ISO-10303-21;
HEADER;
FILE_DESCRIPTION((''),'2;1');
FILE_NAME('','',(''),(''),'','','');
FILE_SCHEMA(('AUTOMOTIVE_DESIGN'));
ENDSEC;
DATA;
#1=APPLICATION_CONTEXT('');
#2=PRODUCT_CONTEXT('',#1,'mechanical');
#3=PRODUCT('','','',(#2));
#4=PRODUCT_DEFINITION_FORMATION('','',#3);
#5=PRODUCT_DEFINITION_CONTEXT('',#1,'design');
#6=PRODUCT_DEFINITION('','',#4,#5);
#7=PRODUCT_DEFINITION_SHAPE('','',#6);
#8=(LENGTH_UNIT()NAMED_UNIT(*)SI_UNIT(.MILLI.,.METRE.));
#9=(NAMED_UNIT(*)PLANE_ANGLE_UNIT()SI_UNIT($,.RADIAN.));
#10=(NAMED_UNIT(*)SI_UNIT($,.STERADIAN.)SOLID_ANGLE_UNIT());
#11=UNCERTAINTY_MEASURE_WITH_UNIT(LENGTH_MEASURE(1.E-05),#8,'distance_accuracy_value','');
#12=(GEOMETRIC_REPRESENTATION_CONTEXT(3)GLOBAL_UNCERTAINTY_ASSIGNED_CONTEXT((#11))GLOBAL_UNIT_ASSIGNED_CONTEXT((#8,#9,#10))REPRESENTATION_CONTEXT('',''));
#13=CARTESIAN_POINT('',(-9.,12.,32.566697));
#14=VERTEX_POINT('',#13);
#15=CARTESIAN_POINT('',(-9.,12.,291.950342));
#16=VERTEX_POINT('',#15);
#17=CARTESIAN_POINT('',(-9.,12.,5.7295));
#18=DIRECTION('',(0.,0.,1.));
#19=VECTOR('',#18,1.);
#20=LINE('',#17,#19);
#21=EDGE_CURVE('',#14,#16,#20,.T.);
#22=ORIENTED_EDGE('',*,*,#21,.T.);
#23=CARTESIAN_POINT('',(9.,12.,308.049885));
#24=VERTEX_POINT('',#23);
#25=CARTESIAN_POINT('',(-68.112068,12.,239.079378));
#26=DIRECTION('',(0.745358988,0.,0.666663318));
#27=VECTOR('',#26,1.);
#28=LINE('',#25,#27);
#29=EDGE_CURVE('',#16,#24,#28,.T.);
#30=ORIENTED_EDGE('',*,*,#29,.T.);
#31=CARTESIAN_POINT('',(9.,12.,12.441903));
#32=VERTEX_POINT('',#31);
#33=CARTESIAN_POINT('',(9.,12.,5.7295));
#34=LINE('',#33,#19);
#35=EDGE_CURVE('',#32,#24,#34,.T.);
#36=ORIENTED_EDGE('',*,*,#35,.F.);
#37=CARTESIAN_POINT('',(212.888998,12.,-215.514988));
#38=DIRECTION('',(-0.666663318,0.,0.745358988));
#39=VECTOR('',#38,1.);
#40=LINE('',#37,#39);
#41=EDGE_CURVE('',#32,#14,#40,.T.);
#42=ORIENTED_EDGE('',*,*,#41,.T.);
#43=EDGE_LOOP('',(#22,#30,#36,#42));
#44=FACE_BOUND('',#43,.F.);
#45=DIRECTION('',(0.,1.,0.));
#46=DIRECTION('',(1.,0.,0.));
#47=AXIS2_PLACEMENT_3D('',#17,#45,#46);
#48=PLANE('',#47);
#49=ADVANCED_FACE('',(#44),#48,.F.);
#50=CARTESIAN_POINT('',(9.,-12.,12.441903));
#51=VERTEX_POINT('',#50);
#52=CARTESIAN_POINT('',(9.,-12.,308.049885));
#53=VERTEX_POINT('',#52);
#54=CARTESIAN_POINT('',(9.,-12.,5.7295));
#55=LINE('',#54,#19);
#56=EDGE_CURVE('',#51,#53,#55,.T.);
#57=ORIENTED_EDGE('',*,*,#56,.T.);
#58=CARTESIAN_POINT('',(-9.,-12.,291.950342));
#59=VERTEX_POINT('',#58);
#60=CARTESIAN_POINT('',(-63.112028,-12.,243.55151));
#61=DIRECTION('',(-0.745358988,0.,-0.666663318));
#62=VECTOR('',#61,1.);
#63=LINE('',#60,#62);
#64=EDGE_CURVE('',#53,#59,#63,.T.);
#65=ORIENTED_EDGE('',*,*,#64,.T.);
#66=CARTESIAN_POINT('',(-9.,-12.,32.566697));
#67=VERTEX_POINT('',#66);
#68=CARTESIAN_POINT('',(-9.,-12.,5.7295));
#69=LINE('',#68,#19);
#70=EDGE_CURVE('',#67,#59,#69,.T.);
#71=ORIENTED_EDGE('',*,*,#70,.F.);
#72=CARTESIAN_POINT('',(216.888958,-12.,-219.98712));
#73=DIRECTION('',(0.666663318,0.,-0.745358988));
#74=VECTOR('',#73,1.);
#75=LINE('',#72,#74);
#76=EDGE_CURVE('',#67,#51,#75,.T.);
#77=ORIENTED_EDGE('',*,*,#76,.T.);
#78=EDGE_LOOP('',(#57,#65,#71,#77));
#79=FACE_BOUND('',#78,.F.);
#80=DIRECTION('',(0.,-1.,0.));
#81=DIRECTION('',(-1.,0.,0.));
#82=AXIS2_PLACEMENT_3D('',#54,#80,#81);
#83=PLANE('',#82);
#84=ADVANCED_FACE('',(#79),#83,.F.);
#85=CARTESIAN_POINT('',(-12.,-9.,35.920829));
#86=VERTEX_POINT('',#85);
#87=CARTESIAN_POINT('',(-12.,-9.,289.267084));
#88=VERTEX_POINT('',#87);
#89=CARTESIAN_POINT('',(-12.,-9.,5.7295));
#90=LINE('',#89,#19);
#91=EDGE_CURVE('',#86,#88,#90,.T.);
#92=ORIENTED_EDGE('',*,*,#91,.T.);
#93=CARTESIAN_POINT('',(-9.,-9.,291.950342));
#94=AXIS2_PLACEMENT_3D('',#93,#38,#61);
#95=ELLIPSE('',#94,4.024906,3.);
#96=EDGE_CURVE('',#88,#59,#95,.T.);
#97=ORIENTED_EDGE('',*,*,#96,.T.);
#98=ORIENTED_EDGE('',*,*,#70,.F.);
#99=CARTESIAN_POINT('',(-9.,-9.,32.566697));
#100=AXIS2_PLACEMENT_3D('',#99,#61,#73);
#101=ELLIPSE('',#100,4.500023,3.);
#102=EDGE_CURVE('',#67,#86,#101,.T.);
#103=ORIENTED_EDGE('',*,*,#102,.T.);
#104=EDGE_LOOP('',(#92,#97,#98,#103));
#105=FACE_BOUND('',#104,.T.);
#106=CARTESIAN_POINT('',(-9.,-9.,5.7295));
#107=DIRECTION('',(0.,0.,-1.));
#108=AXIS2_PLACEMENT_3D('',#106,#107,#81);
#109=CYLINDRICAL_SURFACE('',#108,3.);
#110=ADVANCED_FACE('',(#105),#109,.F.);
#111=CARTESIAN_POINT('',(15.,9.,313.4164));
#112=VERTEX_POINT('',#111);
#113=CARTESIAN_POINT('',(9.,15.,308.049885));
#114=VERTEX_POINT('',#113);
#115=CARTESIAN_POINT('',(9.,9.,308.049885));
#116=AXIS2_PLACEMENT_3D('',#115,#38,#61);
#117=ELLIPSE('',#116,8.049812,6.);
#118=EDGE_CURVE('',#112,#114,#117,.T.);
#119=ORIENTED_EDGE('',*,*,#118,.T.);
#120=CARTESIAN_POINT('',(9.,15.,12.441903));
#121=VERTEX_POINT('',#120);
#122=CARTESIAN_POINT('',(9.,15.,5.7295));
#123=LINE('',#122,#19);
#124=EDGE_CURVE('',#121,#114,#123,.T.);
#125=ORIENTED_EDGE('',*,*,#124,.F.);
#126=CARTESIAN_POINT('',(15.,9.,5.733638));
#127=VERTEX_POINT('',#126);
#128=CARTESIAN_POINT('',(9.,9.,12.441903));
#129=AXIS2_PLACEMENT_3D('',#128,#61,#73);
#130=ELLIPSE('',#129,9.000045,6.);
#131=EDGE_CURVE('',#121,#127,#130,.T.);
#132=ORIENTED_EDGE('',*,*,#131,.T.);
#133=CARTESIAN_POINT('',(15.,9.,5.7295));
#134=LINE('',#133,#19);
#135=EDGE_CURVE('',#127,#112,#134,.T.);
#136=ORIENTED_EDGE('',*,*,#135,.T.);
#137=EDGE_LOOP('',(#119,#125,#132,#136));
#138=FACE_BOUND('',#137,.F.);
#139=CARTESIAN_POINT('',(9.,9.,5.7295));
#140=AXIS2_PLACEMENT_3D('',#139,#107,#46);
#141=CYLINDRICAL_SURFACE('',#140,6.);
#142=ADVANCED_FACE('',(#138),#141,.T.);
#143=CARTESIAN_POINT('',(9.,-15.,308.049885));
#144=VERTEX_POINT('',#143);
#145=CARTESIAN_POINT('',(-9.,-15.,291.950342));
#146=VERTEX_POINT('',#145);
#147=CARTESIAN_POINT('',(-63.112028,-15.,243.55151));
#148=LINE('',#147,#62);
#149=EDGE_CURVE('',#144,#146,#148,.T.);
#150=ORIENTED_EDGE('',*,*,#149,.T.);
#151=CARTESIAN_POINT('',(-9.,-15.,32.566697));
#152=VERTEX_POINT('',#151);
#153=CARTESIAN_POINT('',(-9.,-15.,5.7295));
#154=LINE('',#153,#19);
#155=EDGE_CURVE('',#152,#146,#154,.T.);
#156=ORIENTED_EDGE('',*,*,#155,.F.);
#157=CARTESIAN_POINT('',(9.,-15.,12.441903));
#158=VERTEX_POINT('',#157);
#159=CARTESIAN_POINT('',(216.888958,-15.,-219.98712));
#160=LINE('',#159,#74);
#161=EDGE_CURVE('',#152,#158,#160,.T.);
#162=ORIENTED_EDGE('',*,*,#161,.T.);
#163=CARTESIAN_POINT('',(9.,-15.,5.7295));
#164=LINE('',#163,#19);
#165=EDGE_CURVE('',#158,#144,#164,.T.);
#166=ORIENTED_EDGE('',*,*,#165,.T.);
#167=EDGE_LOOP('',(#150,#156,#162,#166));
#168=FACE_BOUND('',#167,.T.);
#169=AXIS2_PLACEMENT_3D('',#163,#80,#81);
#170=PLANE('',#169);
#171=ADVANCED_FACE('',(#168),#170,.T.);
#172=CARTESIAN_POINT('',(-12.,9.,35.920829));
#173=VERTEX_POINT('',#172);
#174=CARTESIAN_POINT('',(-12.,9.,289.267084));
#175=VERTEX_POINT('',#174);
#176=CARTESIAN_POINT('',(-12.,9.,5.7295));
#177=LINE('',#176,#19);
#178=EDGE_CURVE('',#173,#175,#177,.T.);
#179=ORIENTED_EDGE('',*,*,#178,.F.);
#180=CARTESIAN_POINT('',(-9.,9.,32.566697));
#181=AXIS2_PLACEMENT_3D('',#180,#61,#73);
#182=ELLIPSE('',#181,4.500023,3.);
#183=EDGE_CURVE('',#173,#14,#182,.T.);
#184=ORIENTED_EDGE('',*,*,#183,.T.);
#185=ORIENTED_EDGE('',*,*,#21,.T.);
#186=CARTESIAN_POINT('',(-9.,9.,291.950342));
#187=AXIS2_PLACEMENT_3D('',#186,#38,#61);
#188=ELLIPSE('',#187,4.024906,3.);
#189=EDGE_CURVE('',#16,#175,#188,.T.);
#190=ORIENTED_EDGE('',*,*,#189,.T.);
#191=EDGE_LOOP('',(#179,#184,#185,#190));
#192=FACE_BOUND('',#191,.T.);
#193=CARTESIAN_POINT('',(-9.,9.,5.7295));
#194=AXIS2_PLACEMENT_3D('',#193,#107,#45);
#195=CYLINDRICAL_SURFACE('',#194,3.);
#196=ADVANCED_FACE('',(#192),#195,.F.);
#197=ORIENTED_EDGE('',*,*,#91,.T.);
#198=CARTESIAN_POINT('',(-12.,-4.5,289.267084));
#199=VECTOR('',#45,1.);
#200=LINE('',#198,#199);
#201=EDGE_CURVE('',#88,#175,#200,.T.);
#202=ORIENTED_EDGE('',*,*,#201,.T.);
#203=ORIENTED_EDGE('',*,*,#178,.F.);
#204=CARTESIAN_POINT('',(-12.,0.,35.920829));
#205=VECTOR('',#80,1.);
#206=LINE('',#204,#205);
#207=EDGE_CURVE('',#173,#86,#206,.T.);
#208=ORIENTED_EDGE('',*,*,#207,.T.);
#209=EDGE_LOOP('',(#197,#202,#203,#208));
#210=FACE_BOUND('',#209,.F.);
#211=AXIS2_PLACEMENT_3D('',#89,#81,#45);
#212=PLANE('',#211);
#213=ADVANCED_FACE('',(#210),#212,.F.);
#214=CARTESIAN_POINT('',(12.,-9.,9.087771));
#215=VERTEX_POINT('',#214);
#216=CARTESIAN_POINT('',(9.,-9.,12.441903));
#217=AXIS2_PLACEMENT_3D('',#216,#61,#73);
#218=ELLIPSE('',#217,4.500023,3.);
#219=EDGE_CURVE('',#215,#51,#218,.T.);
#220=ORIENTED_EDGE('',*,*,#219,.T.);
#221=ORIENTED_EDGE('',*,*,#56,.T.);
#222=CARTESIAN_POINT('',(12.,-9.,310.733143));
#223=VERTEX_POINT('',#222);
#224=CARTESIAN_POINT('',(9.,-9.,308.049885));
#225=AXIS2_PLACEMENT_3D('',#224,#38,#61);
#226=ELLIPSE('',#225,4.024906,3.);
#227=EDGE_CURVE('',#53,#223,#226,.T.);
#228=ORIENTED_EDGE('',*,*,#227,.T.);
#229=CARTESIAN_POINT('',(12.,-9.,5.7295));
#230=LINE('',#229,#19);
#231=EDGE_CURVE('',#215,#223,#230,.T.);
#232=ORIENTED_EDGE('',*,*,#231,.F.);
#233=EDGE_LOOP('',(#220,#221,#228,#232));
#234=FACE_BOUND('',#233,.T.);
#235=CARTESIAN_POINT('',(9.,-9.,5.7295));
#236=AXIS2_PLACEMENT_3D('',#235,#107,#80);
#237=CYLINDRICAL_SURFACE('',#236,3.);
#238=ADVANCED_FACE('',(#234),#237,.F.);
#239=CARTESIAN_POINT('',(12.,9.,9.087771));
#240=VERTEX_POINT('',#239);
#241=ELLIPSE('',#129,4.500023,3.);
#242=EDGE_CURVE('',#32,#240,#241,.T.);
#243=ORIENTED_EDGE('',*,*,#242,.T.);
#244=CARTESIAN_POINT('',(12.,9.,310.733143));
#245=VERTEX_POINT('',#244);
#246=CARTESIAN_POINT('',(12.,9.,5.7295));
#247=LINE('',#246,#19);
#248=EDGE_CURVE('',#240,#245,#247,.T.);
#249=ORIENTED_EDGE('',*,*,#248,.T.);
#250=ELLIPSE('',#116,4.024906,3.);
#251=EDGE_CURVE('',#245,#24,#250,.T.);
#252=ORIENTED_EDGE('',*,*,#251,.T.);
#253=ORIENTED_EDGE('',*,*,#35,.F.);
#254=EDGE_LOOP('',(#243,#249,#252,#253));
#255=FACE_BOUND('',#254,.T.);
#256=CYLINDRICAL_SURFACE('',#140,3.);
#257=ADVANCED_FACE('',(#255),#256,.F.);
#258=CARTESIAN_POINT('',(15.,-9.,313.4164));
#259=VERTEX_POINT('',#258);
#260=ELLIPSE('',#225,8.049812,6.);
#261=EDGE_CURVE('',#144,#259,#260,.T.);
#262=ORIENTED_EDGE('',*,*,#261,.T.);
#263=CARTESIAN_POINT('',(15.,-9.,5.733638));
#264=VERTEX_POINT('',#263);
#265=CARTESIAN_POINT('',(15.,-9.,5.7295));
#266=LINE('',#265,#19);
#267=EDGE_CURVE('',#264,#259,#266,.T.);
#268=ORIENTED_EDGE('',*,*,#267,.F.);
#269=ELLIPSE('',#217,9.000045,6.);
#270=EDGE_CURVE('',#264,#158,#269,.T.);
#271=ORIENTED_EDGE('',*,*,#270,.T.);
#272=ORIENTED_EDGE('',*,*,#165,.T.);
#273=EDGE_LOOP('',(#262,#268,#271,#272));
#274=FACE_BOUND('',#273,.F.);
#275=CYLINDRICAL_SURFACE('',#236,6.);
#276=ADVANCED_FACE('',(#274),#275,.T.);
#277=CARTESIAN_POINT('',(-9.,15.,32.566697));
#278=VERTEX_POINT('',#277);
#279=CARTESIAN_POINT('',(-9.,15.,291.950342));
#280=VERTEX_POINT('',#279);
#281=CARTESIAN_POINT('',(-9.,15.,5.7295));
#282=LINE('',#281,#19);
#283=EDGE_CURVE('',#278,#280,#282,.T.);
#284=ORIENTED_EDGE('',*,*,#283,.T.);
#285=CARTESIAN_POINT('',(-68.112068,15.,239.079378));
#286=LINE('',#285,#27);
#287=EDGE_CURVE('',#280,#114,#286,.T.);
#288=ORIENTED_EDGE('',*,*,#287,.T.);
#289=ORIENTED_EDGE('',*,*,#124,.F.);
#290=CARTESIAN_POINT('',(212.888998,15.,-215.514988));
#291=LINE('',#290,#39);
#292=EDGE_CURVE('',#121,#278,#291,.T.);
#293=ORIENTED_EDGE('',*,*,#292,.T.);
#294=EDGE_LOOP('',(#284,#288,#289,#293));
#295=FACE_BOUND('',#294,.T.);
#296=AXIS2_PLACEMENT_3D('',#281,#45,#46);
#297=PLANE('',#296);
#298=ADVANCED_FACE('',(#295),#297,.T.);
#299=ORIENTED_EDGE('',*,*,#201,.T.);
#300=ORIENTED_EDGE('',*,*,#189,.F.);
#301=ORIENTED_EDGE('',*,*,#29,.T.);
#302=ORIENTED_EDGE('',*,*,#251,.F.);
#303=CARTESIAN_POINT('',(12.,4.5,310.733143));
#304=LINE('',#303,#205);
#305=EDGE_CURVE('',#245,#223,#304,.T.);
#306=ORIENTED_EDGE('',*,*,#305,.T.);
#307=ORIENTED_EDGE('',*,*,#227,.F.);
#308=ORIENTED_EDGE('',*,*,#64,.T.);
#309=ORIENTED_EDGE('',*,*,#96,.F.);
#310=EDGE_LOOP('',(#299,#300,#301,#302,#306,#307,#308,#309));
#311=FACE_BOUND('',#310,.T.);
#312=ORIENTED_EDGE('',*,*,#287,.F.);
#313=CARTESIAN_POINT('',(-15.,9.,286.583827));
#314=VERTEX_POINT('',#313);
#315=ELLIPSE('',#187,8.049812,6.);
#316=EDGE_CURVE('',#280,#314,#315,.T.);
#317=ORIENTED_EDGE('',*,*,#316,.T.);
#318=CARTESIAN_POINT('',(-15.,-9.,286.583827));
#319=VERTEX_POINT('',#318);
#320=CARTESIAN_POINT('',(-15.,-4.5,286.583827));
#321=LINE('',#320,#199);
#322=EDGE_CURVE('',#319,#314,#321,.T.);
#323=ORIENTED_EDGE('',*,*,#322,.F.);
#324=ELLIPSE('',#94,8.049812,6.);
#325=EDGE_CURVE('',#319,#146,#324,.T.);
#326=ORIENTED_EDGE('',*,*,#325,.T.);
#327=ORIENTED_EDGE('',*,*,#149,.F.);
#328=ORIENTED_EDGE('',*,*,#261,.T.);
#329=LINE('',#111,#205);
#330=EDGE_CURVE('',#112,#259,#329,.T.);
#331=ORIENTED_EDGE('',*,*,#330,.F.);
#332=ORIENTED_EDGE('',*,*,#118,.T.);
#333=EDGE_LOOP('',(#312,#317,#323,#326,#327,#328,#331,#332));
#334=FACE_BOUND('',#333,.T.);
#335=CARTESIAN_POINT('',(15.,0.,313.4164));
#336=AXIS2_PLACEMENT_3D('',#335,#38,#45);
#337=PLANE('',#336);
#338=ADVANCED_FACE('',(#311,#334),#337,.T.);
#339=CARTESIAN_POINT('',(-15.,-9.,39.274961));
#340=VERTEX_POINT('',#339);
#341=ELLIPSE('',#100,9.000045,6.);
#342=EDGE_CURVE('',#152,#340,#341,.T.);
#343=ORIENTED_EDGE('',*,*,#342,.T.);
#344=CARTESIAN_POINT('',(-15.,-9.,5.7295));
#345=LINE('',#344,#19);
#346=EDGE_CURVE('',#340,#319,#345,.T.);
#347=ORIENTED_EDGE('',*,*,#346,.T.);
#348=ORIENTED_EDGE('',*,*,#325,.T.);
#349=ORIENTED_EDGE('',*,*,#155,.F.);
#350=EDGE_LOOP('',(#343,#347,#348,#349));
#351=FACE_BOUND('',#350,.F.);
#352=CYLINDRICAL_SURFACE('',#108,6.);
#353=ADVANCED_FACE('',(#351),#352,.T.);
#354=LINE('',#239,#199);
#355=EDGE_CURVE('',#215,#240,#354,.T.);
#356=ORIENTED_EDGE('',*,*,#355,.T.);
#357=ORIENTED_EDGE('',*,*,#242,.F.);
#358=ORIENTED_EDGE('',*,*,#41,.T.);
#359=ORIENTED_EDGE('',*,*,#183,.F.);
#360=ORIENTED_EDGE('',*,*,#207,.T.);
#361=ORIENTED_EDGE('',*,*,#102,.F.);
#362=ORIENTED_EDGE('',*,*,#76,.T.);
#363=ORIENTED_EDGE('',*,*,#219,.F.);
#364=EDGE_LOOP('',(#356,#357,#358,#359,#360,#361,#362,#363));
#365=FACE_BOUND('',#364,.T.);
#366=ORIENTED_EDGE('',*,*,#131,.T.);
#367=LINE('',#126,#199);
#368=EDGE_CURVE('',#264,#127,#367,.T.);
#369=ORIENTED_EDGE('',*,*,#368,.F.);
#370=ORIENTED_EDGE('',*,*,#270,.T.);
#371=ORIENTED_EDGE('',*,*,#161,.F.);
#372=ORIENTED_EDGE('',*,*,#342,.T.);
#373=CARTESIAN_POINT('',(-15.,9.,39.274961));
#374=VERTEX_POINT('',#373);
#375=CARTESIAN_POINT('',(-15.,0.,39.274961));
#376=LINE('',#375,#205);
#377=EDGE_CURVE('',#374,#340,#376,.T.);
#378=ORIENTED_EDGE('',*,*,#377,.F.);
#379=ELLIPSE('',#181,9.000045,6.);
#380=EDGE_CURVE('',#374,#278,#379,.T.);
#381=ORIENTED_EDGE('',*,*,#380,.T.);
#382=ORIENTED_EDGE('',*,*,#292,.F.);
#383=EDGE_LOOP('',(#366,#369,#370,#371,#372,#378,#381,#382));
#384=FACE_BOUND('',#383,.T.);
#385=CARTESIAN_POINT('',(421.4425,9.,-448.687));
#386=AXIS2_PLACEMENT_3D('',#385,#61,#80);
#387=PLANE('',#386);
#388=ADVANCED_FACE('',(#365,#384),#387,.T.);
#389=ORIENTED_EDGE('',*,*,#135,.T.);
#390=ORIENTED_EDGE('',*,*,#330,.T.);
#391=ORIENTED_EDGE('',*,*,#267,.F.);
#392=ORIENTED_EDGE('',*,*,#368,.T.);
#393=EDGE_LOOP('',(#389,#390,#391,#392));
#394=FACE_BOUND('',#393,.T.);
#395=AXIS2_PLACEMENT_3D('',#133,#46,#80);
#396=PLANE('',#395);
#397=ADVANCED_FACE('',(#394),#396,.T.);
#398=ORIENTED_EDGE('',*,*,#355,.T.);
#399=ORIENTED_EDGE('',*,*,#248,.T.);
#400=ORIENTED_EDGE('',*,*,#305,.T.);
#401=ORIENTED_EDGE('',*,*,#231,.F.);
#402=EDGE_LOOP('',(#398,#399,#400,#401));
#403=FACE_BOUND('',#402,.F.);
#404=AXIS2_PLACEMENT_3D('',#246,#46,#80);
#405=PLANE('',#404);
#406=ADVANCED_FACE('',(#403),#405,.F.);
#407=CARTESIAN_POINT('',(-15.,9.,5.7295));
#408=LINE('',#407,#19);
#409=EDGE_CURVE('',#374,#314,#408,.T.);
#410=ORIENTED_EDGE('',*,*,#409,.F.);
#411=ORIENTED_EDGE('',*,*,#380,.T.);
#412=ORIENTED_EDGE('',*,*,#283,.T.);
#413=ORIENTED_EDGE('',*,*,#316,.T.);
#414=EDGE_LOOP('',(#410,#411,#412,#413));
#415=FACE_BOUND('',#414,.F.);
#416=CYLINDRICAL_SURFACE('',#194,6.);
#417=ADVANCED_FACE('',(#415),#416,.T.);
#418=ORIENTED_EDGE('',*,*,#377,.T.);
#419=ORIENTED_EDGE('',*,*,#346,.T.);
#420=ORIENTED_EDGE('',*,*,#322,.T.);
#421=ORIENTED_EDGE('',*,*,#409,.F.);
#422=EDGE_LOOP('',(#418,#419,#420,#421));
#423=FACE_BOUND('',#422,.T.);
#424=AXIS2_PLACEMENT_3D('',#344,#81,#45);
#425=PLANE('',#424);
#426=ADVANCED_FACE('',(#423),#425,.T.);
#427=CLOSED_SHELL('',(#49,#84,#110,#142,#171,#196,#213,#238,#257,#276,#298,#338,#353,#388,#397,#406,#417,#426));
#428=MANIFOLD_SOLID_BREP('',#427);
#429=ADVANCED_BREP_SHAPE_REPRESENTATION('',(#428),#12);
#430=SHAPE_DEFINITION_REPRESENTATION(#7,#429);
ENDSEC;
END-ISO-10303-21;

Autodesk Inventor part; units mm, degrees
ref_plane "Start Plane" through (0, 0, 5.7295) normal (0, 0, 1) x (1, 0, 0)
ref_plane "End Plane" through (0, 0, 313.4164) normal (0, 0, 1) x (1, 0, 0)
sketch "Sketch" plane through (0, 0, 0) normal (0, 0, 1) x (1, 0, 0)
  line L0 (-15, -9) -> (-15, 9)
  line L1 (-9, 15) -> (9, 15)
  line L2 (15, 9) -> (15, -9)
  line L3 (9, -15) -> (-9, -15)
  arc A0 (-15, -9) -> (-9, -15) centre (-9, -9) ccw
  arc A1 (-9, 15) -> (-15, 9) centre (-9, 9) ccw
  arc A2 (15, 9) -> (9, 15) centre (9, 9) ccw
  arc A3 (9, -15) -> (15, -9) centre (9, -9) ccw
  arc A4 (-9, 12) -> (-12, 9) centre (-9, 9) ccw
  line L4 (-9, 12) -> (9, 12)
  arc A5 (12, 9) -> (9, 12) centre (9, 9) ccw
  line L5 (12, 9) -> (12, -9)
  arc A6 (9, -12) -> (12, -9) centre (9, -9) ccw
  line L6 (9, -12) -> (-9, -12)
  arc A7 (-12, -9) -> (-9, -12) centre (-9, -9) ccw
  line L7 (-12, -9) -> (-12, 9)
  line L8 (0, 22.7397) -> (0, -22.7397) construction
  line L9 (-22.7397, 0) -> (22.7397, 0) construction
  dimension "d7" = 6
  dimension "d10" = 30
  dimension "d11" = 30
  dimension "d12" = 3
  dimension "d15" = 15
  dimension "d16" = 15
extrude "Body" add sketch "Sketch" along normal up to surface (307.6869 mm away) from surface at 5.7295
sketch "Sketch3" plane through (0, 0, 0) normal (0, 0, 1) x (1, 0, 0)
  line L0 (0, 0) -> (10, 0)
ref_plane "Work Plane3" through (0, 0, 0) normal (0, -1, 0) x (1, 0, 0)
ref_plane "Work Plane4" through (15, 0, 313.4164) normal (-0.6667, 0, 0.7454) x (0.7454, 0, 0.6667)
split "Split1" plane through (15, 0, 313.4164) removes the side toward (-0.6667, 0, 0.7454)
ref_plane "Work Plane5" through (421.4425, 9, -448.687) normal (-0.7454, 0, -0.6667) x (-0.6667, 0, 0.7454)
split "Split2" plane through (421.4425, 9, -448.687) removes the side toward (-0.7454, 0, -0.6667)
sketch "Sketch4" plane through (0, 0, 0) normal (0, -1, 0) x (1, 0, 0)
  line L0 (-2, 5.7295) -> (12, 5.7295) projected
  line L1 (-2, 313.4164) -> (12, 313.4164) projected
  dimension "d18" = 307.6869
equation "\"d7\" = G_IR"
equation "\"d10\" = G_H"
equation "\"d11\" = G_W"
equation "\"d12\" = G_T"
equation "\"d15\" = 0.5 * d10"
equation "\"d16\" = 0.5 * d11"
equation "\"d3\" = G_L"
equation "\"G_W\" = 30"
equation "\"G_H\" = 30"
equation "\"G_T\" = 3"
equation "\"G_IR\" = 6"
equation "\"G_L\" = d18"
equation "\"G_OFFSET_START\" = -5.72949"
equation "\"G_OFFSET_END\" = 13.41641"
equation "\"d13\" = -G_OFFSET_START"
equation "\"d14\" = G_OFFSET_END + B_L"
equation "\"B_L\" = 300"
properties part number "DIN EN 10219-2 - 30 x 30 x 3  - 307.69" material "Steel, Mild"
